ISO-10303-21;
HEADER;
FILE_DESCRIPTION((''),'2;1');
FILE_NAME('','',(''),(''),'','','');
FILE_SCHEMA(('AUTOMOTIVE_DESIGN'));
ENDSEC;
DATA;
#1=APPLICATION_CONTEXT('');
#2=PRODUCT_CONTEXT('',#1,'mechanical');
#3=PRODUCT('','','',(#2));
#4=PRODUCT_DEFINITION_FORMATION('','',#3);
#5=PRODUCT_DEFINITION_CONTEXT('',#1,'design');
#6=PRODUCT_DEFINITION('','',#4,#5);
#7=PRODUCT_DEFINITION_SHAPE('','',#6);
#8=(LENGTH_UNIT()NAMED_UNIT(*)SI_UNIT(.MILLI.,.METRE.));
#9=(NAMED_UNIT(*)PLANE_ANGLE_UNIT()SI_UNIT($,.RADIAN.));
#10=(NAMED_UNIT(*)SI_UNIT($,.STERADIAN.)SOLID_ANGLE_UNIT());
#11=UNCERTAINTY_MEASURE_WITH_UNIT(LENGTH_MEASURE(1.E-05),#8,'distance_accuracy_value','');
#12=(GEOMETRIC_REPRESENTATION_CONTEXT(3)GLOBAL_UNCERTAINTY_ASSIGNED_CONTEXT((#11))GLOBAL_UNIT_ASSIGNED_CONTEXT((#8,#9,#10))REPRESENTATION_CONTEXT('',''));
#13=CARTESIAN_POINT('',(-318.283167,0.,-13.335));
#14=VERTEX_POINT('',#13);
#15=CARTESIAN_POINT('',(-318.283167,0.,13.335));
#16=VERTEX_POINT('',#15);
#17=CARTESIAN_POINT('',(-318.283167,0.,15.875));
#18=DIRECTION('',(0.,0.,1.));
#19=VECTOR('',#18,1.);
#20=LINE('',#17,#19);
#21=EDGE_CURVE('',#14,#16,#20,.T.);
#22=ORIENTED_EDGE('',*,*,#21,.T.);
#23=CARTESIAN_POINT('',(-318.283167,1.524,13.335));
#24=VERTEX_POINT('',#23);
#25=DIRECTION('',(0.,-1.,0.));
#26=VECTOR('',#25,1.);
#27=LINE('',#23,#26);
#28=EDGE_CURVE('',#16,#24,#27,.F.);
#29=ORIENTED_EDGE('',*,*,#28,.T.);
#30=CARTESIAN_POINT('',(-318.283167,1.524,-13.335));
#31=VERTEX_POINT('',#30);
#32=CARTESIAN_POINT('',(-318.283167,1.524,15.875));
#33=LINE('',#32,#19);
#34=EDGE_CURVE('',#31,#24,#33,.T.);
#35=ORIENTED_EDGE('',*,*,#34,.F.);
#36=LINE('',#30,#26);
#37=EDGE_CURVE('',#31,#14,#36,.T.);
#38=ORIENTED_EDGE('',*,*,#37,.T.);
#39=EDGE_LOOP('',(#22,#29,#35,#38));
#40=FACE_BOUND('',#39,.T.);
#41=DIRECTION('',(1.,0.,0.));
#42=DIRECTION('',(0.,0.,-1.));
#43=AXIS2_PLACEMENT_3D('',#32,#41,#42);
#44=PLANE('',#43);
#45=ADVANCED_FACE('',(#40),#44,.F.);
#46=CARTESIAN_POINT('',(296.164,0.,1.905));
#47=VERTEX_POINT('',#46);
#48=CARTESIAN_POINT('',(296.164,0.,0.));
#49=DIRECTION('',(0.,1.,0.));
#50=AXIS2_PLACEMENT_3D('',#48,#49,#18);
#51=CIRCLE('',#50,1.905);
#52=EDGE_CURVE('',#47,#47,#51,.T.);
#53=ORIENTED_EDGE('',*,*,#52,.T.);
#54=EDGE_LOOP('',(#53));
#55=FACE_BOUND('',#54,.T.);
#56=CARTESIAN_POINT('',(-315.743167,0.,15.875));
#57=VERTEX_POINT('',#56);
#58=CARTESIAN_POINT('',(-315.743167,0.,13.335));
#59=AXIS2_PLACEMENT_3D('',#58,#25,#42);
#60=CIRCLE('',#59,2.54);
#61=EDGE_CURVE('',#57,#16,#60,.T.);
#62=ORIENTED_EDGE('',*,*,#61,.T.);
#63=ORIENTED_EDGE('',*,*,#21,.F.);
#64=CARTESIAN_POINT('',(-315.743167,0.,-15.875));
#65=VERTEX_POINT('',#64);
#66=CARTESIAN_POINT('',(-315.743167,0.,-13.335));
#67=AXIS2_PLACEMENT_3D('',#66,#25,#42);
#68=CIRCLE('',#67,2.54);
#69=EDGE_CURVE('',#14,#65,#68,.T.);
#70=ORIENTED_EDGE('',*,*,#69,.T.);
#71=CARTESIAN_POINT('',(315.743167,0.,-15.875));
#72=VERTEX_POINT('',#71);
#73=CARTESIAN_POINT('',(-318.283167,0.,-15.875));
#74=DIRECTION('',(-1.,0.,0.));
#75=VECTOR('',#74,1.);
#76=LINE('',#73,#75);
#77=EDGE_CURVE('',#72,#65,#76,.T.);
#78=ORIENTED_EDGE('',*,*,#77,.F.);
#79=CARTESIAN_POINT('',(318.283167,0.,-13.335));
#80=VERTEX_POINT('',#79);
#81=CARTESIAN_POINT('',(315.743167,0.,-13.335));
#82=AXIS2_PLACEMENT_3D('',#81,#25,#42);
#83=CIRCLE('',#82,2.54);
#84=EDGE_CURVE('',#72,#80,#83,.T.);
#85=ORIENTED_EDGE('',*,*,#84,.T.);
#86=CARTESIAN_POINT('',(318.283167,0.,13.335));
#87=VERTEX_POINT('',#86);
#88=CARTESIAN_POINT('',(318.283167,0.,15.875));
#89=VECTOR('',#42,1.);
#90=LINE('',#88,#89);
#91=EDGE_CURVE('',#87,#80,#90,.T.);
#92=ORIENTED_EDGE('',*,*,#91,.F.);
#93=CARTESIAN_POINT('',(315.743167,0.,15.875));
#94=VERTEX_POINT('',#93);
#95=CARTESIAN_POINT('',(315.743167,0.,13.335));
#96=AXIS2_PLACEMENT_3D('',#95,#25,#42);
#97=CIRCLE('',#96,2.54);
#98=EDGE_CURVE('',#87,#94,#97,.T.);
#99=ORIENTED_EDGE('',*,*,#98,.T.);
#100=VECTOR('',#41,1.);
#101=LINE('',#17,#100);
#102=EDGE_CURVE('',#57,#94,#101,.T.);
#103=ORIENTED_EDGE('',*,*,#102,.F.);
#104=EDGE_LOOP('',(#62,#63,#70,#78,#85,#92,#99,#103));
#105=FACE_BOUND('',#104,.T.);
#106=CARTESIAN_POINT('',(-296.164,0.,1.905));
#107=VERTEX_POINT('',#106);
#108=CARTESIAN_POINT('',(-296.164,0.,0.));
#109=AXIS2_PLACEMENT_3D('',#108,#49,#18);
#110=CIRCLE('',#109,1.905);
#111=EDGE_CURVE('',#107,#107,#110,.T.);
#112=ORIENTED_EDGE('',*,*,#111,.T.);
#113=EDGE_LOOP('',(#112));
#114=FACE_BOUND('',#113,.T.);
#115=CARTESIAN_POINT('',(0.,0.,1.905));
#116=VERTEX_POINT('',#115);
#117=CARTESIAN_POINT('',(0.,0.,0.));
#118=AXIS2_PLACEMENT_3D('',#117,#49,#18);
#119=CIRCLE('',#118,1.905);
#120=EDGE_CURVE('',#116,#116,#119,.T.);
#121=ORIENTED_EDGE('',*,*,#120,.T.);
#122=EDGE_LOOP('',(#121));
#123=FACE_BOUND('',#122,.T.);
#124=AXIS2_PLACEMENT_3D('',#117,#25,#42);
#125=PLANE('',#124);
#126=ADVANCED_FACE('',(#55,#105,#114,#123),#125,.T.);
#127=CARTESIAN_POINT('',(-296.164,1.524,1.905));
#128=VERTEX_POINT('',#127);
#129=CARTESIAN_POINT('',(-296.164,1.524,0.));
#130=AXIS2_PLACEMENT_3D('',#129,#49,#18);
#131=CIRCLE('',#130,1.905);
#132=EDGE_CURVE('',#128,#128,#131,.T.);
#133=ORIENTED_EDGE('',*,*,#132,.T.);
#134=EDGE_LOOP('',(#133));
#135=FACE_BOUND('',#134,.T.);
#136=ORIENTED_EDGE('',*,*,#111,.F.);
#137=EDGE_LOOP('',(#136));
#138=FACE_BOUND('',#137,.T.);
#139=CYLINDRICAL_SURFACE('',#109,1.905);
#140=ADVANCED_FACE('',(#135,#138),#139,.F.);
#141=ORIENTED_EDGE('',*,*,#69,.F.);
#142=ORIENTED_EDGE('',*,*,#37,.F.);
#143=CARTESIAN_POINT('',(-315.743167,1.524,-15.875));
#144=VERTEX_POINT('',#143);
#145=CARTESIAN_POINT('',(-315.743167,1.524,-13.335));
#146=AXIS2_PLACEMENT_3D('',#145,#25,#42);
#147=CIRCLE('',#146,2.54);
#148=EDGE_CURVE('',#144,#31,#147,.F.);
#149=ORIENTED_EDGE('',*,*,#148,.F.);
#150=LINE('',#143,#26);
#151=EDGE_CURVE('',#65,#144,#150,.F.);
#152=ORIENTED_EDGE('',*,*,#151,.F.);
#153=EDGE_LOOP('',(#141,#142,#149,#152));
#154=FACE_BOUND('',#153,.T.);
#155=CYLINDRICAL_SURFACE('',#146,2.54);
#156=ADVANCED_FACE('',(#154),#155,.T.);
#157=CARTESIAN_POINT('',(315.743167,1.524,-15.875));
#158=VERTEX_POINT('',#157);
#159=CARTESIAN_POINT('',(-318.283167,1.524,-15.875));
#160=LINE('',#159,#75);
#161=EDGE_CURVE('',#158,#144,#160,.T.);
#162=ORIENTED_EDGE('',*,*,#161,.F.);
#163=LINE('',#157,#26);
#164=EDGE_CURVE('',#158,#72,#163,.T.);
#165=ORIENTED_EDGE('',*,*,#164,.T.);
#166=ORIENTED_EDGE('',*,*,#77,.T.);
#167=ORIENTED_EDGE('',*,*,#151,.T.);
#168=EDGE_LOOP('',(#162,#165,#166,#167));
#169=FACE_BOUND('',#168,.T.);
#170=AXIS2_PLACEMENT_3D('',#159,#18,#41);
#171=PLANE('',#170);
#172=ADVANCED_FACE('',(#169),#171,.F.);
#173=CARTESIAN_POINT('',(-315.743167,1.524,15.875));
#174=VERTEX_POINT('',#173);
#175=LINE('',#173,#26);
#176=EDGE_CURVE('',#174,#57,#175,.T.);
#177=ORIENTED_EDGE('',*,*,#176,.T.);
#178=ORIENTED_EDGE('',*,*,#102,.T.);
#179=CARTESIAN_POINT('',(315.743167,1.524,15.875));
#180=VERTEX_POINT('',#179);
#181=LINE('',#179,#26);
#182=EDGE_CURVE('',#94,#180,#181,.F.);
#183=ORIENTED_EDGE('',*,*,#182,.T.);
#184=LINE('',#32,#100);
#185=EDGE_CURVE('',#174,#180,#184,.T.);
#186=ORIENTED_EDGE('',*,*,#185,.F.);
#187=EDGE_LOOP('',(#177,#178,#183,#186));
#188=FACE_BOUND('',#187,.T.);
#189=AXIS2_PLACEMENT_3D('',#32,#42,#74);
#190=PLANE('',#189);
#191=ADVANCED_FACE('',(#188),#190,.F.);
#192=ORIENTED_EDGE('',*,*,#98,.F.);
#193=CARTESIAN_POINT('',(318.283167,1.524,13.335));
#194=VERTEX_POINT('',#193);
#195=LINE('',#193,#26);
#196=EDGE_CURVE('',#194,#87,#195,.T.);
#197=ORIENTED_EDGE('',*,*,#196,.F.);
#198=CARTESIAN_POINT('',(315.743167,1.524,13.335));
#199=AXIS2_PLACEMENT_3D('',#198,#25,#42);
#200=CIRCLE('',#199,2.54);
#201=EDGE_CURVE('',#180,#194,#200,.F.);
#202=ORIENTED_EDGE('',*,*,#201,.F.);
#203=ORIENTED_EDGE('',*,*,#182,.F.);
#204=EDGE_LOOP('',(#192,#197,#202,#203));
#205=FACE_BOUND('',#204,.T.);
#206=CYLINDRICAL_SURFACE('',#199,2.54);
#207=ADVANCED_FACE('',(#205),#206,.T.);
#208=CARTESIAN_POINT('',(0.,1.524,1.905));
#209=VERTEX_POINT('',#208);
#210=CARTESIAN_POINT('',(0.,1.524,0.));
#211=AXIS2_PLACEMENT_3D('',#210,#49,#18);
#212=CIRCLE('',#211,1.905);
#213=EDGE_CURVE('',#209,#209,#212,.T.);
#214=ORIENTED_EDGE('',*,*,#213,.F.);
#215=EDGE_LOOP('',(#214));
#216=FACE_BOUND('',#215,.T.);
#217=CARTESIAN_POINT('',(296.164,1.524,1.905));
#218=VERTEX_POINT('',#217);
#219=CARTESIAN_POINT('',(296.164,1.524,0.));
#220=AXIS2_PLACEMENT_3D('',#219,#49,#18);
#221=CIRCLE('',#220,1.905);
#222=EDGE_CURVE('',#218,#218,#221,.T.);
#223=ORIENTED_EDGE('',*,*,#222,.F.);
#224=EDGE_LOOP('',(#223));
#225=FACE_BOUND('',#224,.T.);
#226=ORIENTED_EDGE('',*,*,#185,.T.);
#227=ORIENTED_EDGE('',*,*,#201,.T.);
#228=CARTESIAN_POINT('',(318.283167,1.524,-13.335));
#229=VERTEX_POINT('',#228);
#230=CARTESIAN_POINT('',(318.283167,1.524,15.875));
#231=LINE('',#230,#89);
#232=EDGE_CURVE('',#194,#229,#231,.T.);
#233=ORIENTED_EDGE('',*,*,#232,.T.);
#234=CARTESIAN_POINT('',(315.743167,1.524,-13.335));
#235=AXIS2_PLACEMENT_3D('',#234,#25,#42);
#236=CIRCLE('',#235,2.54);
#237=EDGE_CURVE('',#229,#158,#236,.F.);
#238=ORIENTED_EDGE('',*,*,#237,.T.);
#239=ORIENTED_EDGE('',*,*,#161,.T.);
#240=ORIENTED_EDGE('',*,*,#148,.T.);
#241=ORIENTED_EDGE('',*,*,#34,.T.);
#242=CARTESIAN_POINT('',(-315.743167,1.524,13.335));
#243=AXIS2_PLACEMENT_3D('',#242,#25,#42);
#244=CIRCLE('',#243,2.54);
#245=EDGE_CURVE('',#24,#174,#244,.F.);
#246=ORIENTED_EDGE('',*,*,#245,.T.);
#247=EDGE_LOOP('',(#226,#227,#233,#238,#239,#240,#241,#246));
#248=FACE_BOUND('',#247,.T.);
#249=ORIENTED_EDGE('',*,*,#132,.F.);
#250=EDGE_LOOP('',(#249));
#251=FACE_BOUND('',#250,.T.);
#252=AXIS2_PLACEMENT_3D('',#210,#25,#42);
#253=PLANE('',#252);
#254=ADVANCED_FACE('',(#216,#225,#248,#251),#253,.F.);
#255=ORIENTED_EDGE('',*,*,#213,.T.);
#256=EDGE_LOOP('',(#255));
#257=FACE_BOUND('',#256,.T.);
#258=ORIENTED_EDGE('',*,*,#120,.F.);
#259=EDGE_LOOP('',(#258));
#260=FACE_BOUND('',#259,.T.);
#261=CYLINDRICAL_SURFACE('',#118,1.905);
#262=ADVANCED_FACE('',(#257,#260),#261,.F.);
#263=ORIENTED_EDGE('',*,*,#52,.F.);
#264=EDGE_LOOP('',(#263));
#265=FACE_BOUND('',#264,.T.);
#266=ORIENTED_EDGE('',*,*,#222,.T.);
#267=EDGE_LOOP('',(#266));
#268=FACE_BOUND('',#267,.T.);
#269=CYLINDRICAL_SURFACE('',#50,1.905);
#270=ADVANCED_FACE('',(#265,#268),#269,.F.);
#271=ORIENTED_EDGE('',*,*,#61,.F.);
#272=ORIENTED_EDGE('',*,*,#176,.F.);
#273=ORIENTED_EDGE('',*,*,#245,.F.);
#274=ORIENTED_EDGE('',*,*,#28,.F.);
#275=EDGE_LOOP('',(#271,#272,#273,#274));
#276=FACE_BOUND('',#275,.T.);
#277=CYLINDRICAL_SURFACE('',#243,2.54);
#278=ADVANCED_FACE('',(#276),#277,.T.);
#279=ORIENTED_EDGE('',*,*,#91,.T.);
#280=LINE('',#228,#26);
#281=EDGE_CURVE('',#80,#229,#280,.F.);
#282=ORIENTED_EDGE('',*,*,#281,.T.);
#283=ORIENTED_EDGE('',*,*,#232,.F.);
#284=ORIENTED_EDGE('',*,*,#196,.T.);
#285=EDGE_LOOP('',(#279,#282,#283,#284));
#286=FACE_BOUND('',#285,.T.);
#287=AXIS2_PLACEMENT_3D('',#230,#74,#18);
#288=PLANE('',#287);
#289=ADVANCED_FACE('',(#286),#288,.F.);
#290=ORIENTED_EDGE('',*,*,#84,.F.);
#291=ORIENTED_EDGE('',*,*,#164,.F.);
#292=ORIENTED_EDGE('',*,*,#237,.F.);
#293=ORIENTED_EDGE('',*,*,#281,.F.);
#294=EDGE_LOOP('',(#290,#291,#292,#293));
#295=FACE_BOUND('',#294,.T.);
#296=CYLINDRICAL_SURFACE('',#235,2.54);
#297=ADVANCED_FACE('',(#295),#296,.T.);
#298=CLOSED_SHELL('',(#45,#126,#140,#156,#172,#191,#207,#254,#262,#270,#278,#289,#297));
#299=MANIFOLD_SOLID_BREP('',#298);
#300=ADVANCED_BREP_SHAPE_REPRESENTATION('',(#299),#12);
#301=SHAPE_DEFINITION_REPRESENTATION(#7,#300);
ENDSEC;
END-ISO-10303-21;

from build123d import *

# Parameters (mm, degrees)
SKETCH1_W           = 636.566333418
SKETCH1_H           = 31.75
BOSS_EXTRUDE1_DEPTH = 1.524
SKETCH2_R           = 1.905
CUT_EXTRUDE1_DEPTH  = 2.524
FILLET1_R           = 2.54


with BuildPart() as part:
    # Sketch1 → Boss-Extrude1 (new body)
    with BuildSketch(Plane(origin=(0, 0, 0), x_dir=(1, 0, 0), z_dir=(0, 1, 0))):
        Rectangle(SKETCH1_W, SKETCH1_H)
    extrude(amount=BOSS_EXTRUDE1_DEPTH)

    # Sketch2 → Cut-Extrude1 (cut, through all)
    with BuildSketch(Plane(origin=(0, 1.524, 0), x_dir=(1, 0, 0), z_dir=(0, 1, 0))):
        with Locations((-296.164, 0)):
            Circle(SKETCH2_R)
        with Locations((296.164, 0)):
            Circle(SKETCH2_R)
        Circle(SKETCH2_R)
    extrude(amount=-CUT_EXTRUDE1_DEPTH, mode=Mode.SUBTRACT)

    # Fillet1
    fillet1_edges = [part.edges().sort_by_distance(p)[0] for p in [
        (318.283166709, 0.762, 15.875),
        (-318.283166709, 0.762, 15.875),
        (-318.283166709, 0.762, -15.875),
        (318.283166709, 0.762, -15.875),
    ]]
    fillet(fillet1_edges, radius=FILLET1_R)


solid = part.part
